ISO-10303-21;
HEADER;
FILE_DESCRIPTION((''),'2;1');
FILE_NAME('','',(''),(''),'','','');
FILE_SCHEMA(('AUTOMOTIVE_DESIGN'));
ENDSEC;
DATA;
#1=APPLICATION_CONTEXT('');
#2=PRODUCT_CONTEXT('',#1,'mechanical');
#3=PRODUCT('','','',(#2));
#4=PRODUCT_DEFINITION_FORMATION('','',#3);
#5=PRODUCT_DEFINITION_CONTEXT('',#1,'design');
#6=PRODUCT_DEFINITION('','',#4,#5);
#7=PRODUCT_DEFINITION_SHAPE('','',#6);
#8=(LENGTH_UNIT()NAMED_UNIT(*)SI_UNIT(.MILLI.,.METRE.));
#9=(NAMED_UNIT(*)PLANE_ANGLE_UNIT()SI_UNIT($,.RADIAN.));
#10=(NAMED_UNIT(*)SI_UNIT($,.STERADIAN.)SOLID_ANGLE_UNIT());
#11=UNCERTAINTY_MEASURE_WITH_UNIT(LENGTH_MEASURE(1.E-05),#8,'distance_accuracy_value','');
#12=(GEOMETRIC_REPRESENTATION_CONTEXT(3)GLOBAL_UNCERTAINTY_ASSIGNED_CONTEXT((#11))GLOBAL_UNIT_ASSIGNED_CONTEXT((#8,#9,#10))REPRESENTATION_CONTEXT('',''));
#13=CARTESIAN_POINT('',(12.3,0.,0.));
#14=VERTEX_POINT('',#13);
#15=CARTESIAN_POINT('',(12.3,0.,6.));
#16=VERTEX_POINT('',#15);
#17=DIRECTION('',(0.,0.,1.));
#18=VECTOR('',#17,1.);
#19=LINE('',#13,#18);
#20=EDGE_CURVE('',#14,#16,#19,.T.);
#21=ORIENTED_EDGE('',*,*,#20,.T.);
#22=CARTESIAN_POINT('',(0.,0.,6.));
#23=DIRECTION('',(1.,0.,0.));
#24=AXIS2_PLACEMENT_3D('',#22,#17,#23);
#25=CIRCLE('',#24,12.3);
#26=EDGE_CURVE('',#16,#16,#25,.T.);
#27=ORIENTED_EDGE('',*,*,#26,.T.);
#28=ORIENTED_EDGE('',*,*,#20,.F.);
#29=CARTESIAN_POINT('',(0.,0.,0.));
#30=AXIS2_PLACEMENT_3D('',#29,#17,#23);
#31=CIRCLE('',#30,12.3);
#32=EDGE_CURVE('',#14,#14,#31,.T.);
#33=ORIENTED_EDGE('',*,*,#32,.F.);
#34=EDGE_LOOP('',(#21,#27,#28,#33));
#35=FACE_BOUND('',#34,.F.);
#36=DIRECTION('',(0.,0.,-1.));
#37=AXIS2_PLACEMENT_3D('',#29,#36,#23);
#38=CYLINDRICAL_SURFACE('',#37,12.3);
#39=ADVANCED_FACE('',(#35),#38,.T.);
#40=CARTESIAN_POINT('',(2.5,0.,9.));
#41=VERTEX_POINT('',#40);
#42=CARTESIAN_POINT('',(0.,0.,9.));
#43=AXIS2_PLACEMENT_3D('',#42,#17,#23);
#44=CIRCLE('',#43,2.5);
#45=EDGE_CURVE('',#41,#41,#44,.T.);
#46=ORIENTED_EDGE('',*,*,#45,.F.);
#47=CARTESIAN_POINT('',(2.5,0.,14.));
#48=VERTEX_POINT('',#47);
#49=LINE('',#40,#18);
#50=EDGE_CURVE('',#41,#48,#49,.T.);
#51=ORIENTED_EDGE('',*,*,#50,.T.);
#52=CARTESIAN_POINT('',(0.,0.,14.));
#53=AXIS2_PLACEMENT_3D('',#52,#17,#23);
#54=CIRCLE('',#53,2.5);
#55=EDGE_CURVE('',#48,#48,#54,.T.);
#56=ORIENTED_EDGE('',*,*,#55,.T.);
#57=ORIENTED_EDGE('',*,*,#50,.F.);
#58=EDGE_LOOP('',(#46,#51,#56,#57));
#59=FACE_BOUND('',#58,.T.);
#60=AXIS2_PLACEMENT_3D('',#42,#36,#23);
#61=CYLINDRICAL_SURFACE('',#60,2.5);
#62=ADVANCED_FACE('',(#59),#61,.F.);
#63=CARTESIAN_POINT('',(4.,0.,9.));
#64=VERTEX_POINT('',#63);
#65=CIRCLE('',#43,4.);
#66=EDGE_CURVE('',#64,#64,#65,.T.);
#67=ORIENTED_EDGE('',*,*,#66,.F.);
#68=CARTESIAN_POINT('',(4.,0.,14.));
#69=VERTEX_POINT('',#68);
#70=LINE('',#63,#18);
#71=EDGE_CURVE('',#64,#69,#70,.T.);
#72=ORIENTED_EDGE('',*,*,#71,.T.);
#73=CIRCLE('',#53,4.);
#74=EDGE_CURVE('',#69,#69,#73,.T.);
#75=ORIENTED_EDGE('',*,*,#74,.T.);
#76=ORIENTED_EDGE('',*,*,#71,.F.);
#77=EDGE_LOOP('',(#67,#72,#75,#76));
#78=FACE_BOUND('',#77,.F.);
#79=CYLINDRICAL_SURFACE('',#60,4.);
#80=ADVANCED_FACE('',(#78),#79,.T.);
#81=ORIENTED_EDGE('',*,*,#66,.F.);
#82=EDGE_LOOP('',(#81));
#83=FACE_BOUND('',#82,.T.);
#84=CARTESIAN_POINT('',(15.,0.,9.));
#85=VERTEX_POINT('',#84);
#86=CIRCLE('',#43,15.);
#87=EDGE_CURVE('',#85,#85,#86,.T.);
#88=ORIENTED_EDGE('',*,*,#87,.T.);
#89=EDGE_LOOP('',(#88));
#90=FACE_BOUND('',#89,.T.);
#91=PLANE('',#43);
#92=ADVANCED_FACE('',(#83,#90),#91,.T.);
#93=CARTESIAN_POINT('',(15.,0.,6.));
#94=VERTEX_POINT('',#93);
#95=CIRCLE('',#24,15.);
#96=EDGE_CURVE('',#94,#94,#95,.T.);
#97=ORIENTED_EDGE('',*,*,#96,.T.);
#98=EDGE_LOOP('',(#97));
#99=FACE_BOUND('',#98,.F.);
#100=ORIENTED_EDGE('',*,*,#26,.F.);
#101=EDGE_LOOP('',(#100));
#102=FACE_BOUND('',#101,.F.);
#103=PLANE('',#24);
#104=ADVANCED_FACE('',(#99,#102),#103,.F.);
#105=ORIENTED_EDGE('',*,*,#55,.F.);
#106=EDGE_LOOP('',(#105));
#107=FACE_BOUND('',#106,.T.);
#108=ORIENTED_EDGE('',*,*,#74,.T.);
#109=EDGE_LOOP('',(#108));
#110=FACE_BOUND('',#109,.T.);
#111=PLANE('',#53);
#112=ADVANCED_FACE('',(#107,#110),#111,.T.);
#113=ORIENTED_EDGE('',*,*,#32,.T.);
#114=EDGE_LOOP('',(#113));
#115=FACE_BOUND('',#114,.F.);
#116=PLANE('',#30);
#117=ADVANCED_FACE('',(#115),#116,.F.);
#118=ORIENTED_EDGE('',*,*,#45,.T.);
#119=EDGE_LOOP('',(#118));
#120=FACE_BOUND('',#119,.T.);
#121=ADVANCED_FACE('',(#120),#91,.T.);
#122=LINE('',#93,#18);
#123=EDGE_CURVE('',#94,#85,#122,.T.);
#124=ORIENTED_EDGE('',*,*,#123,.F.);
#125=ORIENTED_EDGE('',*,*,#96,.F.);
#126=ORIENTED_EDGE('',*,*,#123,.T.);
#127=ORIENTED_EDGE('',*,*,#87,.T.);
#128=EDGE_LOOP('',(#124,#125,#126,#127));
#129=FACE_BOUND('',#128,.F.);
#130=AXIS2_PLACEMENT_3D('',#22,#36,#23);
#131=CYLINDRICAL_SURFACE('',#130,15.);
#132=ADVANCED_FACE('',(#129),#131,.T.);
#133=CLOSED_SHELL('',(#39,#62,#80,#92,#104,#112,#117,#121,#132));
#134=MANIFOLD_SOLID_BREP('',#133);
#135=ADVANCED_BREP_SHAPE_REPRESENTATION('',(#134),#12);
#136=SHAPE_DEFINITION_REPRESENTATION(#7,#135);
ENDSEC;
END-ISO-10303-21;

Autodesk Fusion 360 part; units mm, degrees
sketch "Sketch1" plane through (0, 0, 0) normal (0, 0, 1) x (1, 0, 0)
  circle A0 centre (0, 0) radius 12.3
  circle A1 centre (0, 0) radius 2.5
  circle A2 centre (0, 0) radius 4
  circle A3 centre (0, 0) radius 15
  dimension "d1" = 24.6
  dimension "led_diam" = 5
  dimension "d3" = 8
  dimension "d4" = 30
extrude "Extrude1" add sketch "Sketch1" along normal blind 6 contours A0 | A1 | A2
extrude "Extrude2" add sketch "Sketch1" along normal blind 3 from surface at 6 contours A0 | A1 | A2 | A3
extrude "Extrude4" add sketch "Sketch1" along normal blind 5 from surface at 9 contours A2
equation "d3 = led_diam + 3 mm"
equation "diffuser_thick = 6 mm"
equation "light_offset = diffuser_thick"
equation "support_thick = 3 mm"
equation "d13 = diffuser_thick + support_thick"
